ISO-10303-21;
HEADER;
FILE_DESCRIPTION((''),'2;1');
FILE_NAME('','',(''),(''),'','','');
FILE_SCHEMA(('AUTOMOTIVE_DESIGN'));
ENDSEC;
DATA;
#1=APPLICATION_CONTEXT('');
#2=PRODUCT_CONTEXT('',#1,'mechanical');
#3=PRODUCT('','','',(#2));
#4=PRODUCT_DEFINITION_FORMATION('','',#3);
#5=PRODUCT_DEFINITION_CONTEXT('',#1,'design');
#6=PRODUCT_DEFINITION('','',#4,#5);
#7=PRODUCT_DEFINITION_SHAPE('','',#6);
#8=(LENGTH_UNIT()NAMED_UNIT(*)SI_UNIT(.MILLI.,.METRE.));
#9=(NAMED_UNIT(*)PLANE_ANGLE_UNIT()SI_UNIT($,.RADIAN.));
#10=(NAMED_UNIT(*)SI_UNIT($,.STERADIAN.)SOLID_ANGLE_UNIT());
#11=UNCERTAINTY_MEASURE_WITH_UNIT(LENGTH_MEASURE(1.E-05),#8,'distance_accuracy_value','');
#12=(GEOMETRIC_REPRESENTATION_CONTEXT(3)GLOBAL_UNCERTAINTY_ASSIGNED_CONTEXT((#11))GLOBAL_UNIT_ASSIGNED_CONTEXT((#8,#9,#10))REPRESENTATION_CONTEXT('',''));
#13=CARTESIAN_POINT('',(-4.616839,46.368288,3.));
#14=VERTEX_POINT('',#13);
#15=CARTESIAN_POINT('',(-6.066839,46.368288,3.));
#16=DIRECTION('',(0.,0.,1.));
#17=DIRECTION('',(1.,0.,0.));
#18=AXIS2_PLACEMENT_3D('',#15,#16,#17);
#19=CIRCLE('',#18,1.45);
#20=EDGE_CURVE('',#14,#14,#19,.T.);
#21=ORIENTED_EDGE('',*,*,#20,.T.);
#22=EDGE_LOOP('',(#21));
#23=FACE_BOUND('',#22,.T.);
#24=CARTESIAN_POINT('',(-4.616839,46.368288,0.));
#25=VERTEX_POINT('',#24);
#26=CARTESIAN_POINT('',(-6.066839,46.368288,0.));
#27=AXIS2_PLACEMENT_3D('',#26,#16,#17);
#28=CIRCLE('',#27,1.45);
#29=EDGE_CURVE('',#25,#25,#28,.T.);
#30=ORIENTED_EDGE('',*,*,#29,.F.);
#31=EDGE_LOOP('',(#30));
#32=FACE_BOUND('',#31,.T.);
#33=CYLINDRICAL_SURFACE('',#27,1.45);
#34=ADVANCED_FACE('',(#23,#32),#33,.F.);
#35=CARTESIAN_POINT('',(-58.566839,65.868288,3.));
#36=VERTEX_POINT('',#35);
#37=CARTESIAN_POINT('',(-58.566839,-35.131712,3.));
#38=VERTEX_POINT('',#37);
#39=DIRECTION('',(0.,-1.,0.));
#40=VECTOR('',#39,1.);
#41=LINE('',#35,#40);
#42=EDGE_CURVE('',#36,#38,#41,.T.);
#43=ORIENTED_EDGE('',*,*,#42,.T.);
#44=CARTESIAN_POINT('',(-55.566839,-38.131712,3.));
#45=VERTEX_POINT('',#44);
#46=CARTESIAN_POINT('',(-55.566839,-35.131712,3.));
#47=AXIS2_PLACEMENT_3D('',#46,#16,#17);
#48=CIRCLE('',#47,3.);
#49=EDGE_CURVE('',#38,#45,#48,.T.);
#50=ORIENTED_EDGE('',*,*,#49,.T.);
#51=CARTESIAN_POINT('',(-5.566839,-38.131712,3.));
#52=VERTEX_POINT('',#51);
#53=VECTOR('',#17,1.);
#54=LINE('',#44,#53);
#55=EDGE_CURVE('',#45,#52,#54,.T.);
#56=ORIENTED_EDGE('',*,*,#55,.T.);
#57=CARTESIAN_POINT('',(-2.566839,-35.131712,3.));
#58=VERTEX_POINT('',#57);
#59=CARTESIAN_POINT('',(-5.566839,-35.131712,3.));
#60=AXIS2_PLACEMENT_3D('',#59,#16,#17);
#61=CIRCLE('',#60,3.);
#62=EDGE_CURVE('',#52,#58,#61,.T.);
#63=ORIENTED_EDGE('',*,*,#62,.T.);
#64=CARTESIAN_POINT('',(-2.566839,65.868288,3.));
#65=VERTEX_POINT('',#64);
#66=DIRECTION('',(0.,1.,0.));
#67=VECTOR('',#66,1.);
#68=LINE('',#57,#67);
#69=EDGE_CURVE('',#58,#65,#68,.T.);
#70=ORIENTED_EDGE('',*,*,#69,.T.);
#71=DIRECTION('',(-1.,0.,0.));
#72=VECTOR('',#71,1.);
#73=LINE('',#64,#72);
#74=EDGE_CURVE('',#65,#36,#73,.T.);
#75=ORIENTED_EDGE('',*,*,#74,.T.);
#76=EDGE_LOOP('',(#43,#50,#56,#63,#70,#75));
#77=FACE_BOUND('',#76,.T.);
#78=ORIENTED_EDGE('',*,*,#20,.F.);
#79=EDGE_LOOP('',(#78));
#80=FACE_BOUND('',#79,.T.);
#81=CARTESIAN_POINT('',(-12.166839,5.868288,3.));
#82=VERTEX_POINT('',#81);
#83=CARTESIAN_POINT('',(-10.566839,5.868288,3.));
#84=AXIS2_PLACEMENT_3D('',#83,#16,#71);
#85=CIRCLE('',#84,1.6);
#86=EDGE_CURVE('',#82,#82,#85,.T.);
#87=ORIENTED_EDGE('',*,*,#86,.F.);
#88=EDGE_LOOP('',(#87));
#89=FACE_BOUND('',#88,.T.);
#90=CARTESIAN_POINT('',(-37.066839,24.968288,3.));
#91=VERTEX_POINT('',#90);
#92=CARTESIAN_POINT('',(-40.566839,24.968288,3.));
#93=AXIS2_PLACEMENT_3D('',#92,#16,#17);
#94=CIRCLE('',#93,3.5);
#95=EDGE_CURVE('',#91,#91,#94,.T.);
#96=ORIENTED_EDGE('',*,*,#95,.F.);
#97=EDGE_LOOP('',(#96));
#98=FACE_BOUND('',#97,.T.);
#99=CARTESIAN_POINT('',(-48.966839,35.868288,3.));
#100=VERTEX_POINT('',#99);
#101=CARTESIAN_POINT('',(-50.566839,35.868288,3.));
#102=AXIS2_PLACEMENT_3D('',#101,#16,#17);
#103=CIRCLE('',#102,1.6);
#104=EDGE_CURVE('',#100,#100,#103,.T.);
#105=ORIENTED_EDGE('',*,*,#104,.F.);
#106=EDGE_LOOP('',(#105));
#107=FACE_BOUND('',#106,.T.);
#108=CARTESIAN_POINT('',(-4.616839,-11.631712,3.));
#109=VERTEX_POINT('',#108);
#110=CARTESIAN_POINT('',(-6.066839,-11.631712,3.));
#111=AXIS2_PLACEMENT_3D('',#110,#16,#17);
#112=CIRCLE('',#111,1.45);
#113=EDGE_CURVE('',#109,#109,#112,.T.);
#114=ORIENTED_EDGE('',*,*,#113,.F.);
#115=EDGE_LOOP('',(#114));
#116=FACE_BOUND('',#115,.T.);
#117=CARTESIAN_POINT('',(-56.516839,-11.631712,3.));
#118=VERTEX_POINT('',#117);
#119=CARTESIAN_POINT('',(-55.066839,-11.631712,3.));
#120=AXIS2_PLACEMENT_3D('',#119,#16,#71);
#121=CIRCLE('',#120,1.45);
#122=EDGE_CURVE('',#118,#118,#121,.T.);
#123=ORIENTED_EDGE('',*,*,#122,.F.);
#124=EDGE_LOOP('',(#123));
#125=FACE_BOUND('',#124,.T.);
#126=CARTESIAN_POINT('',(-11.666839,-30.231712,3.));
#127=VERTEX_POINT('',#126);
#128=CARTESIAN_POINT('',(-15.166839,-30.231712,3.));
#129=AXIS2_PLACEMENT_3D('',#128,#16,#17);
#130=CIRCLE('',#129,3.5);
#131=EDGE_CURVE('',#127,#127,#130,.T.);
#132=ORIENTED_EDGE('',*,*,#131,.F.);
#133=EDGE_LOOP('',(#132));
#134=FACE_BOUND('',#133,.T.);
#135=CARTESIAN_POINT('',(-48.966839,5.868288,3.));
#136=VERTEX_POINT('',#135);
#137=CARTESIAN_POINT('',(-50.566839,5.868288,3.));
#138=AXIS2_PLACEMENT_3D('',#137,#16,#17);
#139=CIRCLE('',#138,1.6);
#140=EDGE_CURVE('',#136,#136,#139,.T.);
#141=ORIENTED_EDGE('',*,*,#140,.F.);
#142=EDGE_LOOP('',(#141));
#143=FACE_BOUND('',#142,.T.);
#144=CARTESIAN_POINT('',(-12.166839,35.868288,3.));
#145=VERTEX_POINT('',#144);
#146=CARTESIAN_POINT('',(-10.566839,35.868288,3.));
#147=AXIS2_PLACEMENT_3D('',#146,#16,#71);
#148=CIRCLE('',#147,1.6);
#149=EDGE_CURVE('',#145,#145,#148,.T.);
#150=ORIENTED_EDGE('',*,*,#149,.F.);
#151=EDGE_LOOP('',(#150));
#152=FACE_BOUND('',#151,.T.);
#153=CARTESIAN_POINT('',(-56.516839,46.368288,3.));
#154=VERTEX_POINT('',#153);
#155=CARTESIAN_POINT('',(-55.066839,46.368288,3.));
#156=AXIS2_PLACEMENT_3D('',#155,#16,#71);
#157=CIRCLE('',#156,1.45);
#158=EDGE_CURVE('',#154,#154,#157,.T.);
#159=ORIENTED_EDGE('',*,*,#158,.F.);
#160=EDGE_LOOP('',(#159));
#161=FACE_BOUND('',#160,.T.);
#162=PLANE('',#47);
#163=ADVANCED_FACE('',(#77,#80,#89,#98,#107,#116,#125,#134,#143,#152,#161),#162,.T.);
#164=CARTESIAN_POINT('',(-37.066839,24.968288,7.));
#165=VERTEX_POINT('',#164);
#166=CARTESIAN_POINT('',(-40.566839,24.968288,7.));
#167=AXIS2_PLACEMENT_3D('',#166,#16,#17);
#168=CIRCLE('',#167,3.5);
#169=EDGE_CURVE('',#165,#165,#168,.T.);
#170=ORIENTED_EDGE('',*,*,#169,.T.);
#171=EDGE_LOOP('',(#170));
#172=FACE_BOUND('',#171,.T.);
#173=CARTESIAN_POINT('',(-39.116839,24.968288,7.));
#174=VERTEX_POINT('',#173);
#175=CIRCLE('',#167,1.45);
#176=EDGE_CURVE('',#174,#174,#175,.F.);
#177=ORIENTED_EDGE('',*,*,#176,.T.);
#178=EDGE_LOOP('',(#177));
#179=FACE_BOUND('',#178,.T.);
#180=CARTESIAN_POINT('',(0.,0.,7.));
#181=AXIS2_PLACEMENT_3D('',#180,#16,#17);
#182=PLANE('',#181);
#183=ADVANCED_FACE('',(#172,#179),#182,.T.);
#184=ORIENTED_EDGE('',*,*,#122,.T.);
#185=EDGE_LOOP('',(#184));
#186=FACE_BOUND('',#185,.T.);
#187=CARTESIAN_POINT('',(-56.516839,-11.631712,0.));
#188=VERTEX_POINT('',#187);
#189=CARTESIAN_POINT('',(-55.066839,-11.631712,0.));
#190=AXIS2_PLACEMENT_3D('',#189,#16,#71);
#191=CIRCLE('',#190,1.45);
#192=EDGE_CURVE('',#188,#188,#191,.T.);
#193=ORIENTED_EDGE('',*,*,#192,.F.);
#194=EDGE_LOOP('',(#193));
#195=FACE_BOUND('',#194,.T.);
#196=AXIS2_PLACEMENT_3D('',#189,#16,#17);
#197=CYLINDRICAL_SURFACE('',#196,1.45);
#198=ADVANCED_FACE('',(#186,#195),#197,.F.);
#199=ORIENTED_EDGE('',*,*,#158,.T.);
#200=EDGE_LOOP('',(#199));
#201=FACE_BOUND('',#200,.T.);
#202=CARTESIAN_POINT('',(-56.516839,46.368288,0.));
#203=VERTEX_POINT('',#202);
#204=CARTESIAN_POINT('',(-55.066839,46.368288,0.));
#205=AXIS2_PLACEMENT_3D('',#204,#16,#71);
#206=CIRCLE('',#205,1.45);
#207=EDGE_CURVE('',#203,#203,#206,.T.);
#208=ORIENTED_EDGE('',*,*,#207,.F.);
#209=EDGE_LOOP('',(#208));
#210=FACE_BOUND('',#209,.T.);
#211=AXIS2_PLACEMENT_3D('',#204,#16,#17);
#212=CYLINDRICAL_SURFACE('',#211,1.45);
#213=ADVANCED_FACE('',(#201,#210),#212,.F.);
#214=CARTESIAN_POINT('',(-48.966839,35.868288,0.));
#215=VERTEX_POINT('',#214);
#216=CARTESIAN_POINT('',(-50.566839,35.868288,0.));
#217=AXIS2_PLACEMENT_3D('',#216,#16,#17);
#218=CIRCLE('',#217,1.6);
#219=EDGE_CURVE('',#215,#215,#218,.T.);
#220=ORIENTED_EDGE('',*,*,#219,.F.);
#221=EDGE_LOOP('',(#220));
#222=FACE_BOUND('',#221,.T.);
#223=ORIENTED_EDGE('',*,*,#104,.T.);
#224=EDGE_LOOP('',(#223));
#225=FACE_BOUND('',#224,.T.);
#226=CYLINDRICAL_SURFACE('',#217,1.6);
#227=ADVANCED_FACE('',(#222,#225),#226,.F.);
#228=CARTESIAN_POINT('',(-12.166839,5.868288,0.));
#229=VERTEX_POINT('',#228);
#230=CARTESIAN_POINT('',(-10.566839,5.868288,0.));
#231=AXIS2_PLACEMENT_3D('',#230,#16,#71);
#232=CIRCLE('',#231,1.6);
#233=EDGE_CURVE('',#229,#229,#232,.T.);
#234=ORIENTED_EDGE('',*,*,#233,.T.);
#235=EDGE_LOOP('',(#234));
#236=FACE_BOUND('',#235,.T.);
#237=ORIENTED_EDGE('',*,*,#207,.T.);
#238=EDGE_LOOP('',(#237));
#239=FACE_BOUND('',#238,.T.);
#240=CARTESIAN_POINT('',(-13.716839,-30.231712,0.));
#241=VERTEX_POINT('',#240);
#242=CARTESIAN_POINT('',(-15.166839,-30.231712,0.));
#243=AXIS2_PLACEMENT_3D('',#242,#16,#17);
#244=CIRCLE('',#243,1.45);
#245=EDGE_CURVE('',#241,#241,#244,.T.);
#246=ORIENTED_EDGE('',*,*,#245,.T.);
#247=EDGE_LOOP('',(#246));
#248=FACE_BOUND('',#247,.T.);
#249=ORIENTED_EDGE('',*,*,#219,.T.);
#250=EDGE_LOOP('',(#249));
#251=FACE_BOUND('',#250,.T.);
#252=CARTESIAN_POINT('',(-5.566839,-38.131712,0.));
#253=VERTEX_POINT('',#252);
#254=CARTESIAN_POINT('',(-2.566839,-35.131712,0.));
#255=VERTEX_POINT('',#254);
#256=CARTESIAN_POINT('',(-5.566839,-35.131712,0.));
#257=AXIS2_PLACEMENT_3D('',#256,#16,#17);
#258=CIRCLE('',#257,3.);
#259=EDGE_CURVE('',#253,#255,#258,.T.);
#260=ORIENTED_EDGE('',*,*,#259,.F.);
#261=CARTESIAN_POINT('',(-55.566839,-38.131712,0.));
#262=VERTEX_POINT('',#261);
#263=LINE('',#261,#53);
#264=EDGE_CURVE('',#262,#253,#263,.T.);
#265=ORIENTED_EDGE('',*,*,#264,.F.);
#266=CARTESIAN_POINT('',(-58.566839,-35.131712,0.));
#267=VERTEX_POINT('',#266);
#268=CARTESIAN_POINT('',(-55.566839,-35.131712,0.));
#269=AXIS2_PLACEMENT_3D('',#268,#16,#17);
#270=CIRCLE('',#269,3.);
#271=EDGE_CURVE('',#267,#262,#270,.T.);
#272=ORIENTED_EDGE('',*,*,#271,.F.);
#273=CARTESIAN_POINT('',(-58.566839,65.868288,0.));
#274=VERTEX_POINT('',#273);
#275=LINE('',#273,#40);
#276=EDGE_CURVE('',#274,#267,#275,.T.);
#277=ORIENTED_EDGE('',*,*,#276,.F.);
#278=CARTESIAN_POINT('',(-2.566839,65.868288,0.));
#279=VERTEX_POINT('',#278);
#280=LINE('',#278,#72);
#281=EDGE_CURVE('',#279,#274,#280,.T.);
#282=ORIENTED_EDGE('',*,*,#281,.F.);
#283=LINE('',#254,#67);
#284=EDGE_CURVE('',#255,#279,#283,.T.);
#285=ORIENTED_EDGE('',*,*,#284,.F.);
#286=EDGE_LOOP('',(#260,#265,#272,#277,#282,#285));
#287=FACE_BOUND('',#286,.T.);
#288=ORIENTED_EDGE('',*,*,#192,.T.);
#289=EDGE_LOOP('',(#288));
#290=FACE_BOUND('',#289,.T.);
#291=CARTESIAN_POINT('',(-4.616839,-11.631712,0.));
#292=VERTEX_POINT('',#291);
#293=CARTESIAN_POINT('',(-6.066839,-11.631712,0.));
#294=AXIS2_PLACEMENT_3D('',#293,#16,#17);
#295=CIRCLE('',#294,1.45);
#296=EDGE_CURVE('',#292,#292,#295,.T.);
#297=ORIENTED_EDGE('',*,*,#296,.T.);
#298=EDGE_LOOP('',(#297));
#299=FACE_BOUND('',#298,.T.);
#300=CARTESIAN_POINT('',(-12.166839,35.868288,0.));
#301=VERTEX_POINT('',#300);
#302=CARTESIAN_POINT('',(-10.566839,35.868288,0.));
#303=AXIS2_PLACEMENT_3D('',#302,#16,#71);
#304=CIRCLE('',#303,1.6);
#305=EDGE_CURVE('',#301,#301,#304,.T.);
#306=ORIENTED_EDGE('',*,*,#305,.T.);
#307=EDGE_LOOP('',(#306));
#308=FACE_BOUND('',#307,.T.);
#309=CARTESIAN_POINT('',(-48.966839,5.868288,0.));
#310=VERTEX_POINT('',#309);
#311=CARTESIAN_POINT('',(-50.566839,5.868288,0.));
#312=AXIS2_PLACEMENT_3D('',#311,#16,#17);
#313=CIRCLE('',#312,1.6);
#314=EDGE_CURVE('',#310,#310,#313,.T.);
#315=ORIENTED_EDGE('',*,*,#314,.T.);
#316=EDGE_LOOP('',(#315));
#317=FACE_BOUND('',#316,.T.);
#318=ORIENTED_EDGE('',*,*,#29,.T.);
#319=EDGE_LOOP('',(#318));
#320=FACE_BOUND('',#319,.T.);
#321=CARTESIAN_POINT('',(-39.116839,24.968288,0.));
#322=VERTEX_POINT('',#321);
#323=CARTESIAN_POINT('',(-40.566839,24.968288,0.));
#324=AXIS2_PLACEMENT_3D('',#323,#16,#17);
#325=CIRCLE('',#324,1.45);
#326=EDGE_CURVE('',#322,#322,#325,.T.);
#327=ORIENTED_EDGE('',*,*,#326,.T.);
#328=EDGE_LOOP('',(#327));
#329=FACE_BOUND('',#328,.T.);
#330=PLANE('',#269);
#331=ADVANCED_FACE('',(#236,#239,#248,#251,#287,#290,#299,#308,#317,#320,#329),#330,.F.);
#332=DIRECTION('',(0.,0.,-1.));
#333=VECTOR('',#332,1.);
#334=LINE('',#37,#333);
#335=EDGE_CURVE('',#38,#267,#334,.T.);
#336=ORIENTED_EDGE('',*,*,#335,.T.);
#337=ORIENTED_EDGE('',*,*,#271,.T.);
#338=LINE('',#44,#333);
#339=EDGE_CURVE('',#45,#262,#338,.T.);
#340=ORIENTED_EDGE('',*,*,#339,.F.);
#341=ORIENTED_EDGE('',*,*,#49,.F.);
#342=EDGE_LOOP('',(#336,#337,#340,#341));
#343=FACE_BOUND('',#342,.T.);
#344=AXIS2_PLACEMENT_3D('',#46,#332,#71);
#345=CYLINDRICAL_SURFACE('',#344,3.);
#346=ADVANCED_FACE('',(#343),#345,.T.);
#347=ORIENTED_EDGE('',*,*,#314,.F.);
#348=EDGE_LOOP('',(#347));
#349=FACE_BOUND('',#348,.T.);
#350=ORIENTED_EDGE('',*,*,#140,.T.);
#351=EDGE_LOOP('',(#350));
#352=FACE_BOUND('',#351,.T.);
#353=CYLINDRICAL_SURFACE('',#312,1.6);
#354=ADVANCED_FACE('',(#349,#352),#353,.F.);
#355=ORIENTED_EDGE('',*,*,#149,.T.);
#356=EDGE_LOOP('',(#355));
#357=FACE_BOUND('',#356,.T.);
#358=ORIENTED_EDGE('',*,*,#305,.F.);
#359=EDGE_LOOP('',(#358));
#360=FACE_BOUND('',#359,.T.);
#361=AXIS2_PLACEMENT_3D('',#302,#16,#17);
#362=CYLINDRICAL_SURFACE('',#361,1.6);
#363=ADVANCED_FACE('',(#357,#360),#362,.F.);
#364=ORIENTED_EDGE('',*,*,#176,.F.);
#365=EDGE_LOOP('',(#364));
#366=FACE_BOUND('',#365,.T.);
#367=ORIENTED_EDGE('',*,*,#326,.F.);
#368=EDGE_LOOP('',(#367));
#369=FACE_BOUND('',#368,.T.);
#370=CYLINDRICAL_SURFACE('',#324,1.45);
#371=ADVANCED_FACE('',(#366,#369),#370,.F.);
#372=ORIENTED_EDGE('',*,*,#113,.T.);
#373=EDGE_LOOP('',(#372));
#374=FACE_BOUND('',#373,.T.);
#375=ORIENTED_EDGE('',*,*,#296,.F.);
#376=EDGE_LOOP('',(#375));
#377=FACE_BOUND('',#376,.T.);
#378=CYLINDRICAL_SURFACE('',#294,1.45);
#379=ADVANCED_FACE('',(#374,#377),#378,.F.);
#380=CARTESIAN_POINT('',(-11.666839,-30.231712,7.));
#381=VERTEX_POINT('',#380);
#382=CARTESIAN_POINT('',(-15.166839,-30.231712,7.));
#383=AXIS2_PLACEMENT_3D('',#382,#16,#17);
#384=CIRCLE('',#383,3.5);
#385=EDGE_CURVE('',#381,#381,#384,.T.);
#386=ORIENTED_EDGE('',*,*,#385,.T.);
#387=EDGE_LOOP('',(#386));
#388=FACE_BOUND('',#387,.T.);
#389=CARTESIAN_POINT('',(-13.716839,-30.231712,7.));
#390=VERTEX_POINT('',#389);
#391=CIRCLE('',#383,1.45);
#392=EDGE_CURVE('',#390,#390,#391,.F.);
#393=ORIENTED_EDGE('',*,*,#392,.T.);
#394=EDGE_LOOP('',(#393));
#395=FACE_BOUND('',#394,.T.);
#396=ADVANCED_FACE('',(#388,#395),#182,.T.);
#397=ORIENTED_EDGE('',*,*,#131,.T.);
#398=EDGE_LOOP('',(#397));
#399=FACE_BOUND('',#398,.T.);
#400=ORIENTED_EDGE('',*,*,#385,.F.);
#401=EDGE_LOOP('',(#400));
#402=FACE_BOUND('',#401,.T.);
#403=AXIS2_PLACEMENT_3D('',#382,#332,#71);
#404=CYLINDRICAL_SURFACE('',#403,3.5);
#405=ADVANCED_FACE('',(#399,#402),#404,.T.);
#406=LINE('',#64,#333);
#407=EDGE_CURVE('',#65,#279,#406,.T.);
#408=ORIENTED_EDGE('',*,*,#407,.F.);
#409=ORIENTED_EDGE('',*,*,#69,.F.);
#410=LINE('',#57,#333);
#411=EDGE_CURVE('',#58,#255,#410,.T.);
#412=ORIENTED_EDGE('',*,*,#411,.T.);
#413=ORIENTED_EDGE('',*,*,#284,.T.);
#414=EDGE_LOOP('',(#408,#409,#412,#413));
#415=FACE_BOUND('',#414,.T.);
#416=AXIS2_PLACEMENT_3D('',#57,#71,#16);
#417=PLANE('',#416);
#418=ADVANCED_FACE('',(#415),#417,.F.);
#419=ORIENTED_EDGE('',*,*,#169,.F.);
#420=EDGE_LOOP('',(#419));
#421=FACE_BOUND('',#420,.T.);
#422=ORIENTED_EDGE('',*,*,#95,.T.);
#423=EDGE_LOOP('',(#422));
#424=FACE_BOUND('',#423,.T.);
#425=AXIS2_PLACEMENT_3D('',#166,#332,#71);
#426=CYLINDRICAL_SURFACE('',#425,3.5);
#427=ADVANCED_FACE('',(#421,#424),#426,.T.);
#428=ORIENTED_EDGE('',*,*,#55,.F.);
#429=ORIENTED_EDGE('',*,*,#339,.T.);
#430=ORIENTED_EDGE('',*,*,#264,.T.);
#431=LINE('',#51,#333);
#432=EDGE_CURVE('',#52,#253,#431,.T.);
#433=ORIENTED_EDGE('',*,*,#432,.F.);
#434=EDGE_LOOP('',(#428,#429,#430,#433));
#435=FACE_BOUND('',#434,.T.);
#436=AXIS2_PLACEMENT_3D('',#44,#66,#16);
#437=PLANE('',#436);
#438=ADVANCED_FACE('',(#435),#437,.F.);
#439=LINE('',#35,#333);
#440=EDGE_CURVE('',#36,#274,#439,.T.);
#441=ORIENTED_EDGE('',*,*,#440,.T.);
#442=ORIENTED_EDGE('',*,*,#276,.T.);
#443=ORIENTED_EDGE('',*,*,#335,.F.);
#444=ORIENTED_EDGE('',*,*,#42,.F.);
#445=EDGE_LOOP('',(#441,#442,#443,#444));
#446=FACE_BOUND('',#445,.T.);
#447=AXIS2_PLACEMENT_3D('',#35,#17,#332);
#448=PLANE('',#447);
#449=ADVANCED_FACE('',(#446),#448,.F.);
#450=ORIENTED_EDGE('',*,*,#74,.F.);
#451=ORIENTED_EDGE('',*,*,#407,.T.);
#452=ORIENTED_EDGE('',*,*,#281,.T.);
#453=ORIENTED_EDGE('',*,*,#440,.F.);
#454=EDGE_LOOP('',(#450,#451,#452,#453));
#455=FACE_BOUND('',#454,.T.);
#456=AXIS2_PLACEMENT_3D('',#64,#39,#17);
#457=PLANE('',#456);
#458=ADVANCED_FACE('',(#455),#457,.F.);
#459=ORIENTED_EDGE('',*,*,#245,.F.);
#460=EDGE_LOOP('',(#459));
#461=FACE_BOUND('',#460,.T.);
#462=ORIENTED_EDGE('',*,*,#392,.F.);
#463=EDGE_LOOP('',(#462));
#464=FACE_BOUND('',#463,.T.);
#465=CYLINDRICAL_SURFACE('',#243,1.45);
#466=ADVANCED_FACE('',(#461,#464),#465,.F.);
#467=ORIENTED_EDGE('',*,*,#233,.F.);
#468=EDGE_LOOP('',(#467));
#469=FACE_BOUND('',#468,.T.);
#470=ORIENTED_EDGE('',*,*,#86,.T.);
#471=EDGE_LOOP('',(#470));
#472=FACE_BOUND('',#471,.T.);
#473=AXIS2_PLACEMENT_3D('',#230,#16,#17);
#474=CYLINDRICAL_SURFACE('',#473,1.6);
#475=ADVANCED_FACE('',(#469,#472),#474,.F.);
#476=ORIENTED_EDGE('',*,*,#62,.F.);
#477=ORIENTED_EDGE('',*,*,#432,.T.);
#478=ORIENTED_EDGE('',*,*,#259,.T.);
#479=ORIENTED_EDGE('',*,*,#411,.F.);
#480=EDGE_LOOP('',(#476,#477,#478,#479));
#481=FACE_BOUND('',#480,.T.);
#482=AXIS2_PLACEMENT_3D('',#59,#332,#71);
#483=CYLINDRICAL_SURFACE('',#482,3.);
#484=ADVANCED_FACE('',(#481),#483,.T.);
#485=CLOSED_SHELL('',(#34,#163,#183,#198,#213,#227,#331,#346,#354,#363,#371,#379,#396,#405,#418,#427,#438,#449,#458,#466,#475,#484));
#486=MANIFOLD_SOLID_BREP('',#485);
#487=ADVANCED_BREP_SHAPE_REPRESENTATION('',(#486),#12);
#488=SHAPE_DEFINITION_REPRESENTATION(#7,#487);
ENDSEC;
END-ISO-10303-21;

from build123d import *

# Parameters (mm, degrees)
BOSS_EXTRUDE1_DEPTH = 3
SKETCH3_R           = 1.6
SKETCH3_R_2         = 1.45
CUT_EXTRUDE1_DEPTH  = 89.191303006
SKETCH4_R           = 3.5
SKETCH4_R_2         = 1.45
BOSS_EXTRUDE2_DEPTH = 4


with BuildPart() as part:
    # Sketch2 → Boss-Extrude1 (new body)
    with BuildSketch(Plane.XY):
        with BuildLine():
            Line((-55.566838563, -38.131712133), (-5.566838563, -38.131712133))
            ThreePointArc((-5.566838563, -38.131712133), (-3.44551822, -37.253032477), (-2.566838563, -35.131712133))
            Line((-2.566838563, -35.131712133), (-2.566838563, 65.868287867))
            Line((-2.566838563, 65.868287867), (-58.566838563, 65.868287867))
            Line((-58.566838563, 65.868287867), (-58.566838563, -35.131712133))
            ThreePointArc((-58.566838563, -35.131712133), (-57.688158907, -37.253032477), (-55.566838563, -38.131712133))
        make_face()
    extrude(amount=BOSS_EXTRUDE1_DEPTH)

    # Sketch3 → Cut-Extrude1 (cut, through all)
    with BuildSketch(Plane.XY.offset(3)):
        with Locations((-50.566838563, 35.868287867)):
            Circle(SKETCH3_R)
        with Locations((-50.566838563, 5.868287867)):
            Circle(SKETCH3_R)
        with Locations(Location((-10.566838563, 5.868287867, 0), (0, 0, 180))):
            Circle(SKETCH3_R)
        with Locations(Location((-10.566838563, 35.868287867, 0), (0, 0, 180))):
            Circle(SKETCH3_R)
        with Locations((-40.566838563, 24.968287867)):
            Circle(SKETCH3_R_2)
        with Locations((-15.166838563, -30.231712133)):
            Circle(SKETCH3_R_2)
        with Locations((-6.066838563, 46.368287867)):
            Circle(SKETCH3_R_2)
        with Locations((-6.066838563, -11.631712133)):
            Circle(SKETCH3_R_2)
        with Locations(Location((-55.066838563, -11.631712133, 0), (0, 0, 180))):
            Circle(SKETCH3_R_2)
        with Locations(Location((-55.066838563, 46.368287867, 0), (0, 0, 180))):
            Circle(SKETCH3_R_2)
    extrude(amount=-CUT_EXTRUDE1_DEPTH, mode=Mode.SUBTRACT)

    # Sketch4 → Boss-Extrude2 (add)
    with BuildSketch(Plane.XY.offset(3)):
        with Locations((-40.566838563, 24.968287867)):
            Circle(SKETCH4_R)
        with Locations((-40.566838563, 24.968287867)):
            Circle(SKETCH4_R_2, mode=Mode.SUBTRACT)
        with Locations((-15.166838563, -30.231712133)):
            Circle(SKETCH4_R)
        with Locations((-15.166838563, -30.231712133)):
            Circle(SKETCH4_R_2, mode=Mode.SUBTRACT)
    extrude(amount=BOSS_EXTRUDE2_DEPTH)


solid = part.part
